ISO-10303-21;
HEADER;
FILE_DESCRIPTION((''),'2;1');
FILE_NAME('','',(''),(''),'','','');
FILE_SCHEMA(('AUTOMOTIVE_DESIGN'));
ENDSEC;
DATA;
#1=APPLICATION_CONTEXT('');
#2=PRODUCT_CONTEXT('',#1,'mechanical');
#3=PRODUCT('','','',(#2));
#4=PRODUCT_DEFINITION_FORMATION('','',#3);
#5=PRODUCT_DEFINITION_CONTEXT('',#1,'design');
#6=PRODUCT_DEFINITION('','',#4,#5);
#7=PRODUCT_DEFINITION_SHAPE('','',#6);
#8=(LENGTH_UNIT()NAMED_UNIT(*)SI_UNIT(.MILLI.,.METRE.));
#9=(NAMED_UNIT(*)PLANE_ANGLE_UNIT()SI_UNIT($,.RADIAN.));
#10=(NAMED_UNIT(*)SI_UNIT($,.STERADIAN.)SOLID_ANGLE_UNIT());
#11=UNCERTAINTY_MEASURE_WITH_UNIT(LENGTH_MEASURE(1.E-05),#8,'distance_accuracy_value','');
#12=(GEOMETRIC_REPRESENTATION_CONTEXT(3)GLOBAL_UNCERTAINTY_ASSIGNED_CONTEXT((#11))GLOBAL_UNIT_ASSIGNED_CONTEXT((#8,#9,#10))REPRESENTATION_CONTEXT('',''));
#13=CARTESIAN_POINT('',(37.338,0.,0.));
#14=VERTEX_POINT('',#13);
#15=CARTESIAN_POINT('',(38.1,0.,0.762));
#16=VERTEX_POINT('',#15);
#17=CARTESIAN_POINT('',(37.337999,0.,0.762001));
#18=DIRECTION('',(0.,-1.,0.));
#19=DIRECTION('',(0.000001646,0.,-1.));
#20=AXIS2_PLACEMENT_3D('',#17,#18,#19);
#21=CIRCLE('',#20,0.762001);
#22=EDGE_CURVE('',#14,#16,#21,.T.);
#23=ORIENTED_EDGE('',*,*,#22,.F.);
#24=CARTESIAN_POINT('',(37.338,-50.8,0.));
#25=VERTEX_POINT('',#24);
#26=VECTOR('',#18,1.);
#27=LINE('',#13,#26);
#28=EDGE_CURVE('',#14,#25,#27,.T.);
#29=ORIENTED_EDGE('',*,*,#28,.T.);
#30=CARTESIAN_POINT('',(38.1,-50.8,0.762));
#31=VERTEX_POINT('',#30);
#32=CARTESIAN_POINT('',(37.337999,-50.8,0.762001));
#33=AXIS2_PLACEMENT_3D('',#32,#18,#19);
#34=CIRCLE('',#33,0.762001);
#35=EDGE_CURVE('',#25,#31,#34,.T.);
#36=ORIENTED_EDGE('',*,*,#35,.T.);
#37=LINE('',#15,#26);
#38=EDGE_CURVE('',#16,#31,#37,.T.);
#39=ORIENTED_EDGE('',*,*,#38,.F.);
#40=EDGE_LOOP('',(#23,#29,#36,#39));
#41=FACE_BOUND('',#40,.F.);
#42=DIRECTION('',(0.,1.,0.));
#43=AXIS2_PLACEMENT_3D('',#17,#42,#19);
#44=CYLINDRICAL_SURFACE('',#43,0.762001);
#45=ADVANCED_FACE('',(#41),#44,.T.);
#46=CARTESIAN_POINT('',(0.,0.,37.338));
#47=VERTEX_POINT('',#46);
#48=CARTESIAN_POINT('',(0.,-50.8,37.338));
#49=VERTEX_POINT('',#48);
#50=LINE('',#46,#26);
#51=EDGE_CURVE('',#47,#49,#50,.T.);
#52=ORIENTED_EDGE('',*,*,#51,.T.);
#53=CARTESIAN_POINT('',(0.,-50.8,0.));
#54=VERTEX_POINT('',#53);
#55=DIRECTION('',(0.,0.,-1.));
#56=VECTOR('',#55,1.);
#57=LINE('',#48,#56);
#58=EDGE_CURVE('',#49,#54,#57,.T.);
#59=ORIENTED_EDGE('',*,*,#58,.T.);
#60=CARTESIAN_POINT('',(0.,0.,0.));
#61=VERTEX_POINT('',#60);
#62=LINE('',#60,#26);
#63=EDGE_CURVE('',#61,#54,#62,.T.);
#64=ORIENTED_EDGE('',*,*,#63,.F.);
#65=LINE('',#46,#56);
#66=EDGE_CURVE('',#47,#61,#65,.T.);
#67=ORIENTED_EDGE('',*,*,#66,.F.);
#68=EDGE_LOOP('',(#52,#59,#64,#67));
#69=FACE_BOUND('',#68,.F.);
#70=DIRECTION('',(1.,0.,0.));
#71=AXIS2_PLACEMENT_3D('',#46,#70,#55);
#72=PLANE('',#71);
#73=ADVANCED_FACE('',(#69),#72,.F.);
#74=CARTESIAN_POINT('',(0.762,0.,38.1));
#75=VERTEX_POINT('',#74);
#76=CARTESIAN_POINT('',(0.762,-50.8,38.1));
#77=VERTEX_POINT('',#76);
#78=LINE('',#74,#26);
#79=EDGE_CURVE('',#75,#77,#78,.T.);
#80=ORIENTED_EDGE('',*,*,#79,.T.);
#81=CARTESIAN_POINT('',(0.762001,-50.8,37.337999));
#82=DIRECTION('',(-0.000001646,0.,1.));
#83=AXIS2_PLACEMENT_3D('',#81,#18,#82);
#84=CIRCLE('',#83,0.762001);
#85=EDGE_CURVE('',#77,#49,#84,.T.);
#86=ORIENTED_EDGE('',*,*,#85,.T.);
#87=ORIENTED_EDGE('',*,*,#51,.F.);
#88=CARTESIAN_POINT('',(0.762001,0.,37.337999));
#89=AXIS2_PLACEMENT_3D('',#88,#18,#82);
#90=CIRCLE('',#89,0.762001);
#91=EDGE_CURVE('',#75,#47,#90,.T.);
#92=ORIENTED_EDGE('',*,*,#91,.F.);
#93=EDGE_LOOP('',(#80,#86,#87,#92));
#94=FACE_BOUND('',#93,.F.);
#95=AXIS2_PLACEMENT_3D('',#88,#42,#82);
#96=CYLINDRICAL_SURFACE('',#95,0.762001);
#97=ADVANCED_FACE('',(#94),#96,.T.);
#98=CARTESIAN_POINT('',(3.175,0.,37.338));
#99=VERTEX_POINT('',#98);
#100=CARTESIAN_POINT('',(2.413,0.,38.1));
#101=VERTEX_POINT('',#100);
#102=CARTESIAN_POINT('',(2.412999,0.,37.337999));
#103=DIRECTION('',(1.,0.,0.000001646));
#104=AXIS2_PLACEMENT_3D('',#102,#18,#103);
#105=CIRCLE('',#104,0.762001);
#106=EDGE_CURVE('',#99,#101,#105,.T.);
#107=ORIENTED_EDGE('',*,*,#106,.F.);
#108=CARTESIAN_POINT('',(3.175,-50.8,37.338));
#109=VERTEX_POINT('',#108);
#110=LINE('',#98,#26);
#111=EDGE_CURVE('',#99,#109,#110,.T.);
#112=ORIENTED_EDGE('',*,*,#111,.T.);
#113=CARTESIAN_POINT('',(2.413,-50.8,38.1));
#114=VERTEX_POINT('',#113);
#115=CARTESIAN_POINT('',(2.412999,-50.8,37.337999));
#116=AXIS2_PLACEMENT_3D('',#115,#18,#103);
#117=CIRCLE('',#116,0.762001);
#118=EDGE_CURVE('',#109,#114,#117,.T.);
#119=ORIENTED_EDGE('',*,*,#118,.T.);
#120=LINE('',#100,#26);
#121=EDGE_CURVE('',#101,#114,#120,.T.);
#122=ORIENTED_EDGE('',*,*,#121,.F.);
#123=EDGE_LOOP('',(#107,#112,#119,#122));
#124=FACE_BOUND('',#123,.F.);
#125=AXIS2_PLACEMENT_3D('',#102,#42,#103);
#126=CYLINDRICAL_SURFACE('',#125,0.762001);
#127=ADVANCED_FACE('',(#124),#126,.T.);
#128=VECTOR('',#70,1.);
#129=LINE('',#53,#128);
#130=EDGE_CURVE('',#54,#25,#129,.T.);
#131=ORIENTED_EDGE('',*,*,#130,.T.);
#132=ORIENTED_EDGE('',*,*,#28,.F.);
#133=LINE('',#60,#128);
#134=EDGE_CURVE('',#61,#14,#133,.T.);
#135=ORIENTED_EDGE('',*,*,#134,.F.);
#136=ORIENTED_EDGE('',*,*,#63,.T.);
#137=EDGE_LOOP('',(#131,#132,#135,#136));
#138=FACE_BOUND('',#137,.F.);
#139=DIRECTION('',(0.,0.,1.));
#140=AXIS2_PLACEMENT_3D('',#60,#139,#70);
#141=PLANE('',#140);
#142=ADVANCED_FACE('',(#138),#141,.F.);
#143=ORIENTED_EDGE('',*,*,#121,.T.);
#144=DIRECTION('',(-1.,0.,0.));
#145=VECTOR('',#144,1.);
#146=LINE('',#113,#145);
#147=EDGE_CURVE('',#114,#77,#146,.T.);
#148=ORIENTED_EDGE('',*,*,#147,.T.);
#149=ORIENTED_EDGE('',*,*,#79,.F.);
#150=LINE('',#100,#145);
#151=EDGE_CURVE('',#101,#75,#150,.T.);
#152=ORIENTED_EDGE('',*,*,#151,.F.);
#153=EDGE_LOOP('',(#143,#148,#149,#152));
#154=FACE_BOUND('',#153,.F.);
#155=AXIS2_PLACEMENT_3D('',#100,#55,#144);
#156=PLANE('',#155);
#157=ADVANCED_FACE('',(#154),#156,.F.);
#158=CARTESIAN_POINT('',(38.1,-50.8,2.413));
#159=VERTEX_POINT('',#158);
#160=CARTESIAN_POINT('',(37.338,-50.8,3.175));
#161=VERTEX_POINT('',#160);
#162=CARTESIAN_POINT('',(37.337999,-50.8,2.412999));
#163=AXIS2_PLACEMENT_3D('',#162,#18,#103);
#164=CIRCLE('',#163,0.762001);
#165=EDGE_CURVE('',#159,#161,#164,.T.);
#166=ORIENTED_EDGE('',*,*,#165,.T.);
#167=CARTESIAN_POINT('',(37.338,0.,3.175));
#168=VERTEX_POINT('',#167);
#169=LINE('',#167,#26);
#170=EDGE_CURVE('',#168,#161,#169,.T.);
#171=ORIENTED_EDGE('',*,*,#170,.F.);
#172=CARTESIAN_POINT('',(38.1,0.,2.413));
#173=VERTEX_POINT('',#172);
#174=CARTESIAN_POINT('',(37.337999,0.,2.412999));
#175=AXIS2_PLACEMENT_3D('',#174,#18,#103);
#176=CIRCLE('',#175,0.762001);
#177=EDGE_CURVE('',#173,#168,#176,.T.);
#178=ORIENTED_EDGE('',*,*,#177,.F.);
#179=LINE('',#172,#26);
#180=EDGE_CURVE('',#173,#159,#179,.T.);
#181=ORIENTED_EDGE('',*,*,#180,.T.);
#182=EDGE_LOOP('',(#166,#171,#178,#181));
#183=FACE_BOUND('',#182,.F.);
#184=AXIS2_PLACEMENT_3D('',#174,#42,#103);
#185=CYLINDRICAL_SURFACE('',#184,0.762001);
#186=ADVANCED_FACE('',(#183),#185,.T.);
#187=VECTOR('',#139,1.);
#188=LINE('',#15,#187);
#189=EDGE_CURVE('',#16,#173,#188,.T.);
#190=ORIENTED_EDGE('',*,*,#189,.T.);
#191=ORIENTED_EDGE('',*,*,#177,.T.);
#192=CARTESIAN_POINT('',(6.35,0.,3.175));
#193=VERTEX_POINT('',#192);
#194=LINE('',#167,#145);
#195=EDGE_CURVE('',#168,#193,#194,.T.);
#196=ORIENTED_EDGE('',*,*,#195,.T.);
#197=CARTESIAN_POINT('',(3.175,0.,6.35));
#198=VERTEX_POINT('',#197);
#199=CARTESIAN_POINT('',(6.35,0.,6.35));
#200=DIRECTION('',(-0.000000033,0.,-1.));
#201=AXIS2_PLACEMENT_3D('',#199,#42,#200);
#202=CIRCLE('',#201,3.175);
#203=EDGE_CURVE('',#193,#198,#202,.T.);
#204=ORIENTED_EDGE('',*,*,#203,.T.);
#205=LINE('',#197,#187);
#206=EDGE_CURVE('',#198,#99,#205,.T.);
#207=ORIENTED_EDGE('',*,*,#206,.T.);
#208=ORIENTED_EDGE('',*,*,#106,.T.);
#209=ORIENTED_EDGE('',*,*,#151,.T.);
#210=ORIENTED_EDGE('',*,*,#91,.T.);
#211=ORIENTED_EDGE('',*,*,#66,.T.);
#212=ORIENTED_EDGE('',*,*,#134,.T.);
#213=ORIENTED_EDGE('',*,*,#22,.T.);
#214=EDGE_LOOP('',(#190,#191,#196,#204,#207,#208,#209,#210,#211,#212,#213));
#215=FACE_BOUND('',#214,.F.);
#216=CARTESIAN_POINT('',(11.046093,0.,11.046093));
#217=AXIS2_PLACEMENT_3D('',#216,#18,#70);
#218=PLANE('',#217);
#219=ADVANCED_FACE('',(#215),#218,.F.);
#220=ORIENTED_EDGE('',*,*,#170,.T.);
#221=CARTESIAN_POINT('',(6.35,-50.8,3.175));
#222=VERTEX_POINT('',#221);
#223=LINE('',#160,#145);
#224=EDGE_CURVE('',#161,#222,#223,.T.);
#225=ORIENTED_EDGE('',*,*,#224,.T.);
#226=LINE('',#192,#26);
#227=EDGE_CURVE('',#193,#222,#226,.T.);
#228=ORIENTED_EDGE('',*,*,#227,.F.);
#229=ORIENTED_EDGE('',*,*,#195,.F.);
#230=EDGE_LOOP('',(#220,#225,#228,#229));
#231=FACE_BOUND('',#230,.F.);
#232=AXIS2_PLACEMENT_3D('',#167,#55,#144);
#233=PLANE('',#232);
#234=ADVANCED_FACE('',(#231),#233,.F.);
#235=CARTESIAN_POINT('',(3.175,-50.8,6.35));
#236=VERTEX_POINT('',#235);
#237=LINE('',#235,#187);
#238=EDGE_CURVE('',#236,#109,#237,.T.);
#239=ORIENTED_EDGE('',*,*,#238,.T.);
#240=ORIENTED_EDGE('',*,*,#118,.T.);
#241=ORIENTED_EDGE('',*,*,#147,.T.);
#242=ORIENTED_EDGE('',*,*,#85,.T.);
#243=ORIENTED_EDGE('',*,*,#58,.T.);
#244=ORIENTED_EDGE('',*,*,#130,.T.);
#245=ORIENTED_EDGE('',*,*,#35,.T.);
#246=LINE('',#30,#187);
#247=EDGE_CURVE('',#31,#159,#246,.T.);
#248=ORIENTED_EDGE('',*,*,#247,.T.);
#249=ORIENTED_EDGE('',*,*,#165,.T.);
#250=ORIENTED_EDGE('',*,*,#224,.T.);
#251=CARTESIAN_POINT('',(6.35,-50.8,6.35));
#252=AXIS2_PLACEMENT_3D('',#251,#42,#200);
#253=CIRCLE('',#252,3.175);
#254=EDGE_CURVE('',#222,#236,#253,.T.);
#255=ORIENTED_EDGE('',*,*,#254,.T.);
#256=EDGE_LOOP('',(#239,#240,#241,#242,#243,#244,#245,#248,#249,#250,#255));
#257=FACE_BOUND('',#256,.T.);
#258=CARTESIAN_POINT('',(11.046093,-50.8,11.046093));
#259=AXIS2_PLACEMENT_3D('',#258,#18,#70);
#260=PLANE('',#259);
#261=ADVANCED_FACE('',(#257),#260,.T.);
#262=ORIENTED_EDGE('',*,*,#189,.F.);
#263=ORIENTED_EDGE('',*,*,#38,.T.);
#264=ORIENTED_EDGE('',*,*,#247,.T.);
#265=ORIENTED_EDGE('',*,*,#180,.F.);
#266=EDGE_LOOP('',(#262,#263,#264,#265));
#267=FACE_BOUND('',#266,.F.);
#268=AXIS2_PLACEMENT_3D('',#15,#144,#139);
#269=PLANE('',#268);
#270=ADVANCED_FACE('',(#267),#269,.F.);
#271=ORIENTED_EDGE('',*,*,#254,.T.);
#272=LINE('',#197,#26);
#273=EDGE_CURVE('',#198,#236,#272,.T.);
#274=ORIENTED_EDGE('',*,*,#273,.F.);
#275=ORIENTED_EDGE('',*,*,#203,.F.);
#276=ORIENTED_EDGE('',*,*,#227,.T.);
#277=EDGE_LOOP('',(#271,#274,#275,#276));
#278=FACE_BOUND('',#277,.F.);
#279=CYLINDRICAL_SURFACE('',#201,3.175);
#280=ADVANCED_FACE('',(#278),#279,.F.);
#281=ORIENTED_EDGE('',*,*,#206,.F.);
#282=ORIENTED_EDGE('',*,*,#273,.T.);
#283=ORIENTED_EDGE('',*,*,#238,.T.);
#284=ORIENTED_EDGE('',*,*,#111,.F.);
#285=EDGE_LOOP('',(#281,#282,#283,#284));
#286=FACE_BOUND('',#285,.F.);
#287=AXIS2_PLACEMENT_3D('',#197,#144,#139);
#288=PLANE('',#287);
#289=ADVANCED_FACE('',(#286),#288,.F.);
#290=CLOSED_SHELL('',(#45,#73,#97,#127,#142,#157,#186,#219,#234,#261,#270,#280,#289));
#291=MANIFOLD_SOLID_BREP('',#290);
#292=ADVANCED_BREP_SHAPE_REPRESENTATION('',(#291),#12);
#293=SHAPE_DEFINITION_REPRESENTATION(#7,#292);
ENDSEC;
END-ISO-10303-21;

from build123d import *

# Parameters (mm, degrees)
F1_DEPTH = 50.8


with BuildPart() as f1:
    # F0 (on Front) → F1 (new body)
    with BuildSketch(Plane.XZ):
        with BuildLine():
            Line((0, 37.338), (0, 0))
            Line((0, 0), (37.338, 0))
            ThreePointArc((37.338, 0), (37.876815, 0.223185), (38.1, 0.762))
            Line((38.1, 0.762), (38.1, 2.413))
            ThreePointArc((38.1, 2.413), (37.876815, 2.951815), (37.338, 3.175))
            Line((37.338, 3.175), (6.35, 3.175))
            ThreePointArc((6.35, 3.175), (4.104936, 4.104936), (3.175, 6.35))
            Line((3.175, 6.35), (3.175, 37.338))
            ThreePointArc((3.175, 37.338), (2.951815, 37.876815), (2.413, 38.1))
            Line((2.413, 38.1), (0.762, 38.1))
            ThreePointArc((0.762, 38.1), (0.223185, 37.876815), (0, 37.338))
        make_face()
    extrude(amount=F1_DEPTH)


solid = f1.part
